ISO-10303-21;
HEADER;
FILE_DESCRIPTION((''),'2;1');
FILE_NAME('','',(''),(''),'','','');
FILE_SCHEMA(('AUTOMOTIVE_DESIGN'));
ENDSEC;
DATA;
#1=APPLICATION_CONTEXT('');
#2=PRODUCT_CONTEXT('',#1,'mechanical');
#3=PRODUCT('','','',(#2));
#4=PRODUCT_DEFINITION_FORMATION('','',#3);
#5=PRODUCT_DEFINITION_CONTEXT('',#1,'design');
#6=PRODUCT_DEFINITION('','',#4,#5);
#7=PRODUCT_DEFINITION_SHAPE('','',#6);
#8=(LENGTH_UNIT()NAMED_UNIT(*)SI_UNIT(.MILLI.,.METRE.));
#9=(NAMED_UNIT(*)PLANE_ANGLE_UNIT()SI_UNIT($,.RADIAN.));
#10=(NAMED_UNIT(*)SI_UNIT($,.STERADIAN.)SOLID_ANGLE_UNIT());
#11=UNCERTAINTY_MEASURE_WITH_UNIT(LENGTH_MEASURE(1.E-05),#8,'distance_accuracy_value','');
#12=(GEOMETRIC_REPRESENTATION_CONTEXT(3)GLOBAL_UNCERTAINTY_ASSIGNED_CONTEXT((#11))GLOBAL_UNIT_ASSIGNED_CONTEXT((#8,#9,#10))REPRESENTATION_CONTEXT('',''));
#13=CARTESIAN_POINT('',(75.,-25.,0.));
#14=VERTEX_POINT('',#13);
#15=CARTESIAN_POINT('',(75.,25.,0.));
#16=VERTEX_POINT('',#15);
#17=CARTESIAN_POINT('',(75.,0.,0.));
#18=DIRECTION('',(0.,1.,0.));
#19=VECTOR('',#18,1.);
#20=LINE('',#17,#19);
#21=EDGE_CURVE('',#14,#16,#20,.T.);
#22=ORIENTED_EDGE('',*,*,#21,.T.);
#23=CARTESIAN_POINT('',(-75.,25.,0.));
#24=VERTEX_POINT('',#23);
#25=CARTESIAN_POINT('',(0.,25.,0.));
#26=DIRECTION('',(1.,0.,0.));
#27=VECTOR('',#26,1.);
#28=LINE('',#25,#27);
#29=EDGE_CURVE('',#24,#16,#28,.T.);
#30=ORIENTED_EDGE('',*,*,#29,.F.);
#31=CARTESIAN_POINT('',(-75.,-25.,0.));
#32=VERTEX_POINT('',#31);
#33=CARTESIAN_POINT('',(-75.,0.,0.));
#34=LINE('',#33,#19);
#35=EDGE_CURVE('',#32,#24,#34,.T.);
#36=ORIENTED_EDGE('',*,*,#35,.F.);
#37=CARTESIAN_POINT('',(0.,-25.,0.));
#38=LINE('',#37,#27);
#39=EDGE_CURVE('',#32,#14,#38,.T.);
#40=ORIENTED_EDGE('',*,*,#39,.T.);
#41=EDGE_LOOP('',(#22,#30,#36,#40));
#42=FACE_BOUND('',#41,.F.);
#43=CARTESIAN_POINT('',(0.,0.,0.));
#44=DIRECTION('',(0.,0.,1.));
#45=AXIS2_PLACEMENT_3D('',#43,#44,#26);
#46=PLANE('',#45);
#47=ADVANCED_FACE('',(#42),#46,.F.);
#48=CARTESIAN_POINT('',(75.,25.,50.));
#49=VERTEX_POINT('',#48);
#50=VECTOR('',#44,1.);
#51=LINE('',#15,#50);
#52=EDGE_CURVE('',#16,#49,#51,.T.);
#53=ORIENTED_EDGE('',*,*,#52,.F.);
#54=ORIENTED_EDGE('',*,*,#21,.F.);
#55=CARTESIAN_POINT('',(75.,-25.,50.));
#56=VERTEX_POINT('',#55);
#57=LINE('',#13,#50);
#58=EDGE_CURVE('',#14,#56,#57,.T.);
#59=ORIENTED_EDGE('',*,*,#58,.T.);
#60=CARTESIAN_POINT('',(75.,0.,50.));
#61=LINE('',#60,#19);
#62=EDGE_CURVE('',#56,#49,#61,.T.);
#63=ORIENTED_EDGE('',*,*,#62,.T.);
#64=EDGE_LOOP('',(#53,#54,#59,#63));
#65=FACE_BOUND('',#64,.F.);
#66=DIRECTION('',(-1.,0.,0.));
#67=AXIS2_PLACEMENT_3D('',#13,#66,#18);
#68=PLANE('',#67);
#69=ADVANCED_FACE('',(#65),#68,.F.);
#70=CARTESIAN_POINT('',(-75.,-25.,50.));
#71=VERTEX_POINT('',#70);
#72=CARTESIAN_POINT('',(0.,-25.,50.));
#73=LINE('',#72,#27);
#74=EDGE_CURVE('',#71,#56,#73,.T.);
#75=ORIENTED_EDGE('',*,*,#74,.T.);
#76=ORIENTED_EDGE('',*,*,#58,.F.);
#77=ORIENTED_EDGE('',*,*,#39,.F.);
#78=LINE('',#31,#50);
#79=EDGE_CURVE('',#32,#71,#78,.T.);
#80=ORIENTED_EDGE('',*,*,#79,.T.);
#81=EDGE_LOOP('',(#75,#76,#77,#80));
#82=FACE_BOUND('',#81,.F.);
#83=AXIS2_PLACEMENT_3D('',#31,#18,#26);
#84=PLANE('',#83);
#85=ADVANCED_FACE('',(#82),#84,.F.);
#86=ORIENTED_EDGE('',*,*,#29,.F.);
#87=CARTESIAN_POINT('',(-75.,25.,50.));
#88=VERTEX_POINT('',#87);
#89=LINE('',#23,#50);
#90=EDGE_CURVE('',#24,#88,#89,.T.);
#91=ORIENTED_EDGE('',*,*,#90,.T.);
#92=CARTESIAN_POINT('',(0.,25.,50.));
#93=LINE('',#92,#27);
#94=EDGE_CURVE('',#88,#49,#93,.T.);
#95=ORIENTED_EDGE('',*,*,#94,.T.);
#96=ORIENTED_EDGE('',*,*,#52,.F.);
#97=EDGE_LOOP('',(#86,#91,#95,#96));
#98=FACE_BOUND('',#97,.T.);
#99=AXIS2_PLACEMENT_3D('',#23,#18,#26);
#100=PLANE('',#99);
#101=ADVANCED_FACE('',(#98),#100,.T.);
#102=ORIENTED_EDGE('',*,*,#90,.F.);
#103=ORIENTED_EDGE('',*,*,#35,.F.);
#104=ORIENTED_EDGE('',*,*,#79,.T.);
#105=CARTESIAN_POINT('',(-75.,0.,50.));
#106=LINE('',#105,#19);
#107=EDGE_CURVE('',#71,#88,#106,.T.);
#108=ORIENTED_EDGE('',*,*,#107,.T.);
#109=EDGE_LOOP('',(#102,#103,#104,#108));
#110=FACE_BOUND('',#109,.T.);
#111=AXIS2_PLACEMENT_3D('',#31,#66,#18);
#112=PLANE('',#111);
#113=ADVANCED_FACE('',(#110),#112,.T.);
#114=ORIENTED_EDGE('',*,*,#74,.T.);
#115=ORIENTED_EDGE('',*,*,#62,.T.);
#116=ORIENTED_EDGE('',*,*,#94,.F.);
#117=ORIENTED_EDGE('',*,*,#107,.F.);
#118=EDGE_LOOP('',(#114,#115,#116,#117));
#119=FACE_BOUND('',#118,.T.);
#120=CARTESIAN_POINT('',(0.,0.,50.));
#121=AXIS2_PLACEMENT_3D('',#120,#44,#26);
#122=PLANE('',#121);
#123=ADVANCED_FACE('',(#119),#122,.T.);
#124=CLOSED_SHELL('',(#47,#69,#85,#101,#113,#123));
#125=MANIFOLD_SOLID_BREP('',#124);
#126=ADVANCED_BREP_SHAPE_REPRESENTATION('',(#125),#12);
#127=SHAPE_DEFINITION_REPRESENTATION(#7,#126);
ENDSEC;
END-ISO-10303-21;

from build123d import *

# Parameters (mm, degrees)
SKETCH_W      = 150
SKETCH_H      = 50
EXTRUDE_DEPTH = 50


with BuildPart() as part:
    # Sketch → Extrude (new body)
    with BuildSketch(Plane.XY):
        Rectangle(SKETCH_W, SKETCH_H)
    extrude(amount=EXTRUDE_DEPTH)


solid = part.part
